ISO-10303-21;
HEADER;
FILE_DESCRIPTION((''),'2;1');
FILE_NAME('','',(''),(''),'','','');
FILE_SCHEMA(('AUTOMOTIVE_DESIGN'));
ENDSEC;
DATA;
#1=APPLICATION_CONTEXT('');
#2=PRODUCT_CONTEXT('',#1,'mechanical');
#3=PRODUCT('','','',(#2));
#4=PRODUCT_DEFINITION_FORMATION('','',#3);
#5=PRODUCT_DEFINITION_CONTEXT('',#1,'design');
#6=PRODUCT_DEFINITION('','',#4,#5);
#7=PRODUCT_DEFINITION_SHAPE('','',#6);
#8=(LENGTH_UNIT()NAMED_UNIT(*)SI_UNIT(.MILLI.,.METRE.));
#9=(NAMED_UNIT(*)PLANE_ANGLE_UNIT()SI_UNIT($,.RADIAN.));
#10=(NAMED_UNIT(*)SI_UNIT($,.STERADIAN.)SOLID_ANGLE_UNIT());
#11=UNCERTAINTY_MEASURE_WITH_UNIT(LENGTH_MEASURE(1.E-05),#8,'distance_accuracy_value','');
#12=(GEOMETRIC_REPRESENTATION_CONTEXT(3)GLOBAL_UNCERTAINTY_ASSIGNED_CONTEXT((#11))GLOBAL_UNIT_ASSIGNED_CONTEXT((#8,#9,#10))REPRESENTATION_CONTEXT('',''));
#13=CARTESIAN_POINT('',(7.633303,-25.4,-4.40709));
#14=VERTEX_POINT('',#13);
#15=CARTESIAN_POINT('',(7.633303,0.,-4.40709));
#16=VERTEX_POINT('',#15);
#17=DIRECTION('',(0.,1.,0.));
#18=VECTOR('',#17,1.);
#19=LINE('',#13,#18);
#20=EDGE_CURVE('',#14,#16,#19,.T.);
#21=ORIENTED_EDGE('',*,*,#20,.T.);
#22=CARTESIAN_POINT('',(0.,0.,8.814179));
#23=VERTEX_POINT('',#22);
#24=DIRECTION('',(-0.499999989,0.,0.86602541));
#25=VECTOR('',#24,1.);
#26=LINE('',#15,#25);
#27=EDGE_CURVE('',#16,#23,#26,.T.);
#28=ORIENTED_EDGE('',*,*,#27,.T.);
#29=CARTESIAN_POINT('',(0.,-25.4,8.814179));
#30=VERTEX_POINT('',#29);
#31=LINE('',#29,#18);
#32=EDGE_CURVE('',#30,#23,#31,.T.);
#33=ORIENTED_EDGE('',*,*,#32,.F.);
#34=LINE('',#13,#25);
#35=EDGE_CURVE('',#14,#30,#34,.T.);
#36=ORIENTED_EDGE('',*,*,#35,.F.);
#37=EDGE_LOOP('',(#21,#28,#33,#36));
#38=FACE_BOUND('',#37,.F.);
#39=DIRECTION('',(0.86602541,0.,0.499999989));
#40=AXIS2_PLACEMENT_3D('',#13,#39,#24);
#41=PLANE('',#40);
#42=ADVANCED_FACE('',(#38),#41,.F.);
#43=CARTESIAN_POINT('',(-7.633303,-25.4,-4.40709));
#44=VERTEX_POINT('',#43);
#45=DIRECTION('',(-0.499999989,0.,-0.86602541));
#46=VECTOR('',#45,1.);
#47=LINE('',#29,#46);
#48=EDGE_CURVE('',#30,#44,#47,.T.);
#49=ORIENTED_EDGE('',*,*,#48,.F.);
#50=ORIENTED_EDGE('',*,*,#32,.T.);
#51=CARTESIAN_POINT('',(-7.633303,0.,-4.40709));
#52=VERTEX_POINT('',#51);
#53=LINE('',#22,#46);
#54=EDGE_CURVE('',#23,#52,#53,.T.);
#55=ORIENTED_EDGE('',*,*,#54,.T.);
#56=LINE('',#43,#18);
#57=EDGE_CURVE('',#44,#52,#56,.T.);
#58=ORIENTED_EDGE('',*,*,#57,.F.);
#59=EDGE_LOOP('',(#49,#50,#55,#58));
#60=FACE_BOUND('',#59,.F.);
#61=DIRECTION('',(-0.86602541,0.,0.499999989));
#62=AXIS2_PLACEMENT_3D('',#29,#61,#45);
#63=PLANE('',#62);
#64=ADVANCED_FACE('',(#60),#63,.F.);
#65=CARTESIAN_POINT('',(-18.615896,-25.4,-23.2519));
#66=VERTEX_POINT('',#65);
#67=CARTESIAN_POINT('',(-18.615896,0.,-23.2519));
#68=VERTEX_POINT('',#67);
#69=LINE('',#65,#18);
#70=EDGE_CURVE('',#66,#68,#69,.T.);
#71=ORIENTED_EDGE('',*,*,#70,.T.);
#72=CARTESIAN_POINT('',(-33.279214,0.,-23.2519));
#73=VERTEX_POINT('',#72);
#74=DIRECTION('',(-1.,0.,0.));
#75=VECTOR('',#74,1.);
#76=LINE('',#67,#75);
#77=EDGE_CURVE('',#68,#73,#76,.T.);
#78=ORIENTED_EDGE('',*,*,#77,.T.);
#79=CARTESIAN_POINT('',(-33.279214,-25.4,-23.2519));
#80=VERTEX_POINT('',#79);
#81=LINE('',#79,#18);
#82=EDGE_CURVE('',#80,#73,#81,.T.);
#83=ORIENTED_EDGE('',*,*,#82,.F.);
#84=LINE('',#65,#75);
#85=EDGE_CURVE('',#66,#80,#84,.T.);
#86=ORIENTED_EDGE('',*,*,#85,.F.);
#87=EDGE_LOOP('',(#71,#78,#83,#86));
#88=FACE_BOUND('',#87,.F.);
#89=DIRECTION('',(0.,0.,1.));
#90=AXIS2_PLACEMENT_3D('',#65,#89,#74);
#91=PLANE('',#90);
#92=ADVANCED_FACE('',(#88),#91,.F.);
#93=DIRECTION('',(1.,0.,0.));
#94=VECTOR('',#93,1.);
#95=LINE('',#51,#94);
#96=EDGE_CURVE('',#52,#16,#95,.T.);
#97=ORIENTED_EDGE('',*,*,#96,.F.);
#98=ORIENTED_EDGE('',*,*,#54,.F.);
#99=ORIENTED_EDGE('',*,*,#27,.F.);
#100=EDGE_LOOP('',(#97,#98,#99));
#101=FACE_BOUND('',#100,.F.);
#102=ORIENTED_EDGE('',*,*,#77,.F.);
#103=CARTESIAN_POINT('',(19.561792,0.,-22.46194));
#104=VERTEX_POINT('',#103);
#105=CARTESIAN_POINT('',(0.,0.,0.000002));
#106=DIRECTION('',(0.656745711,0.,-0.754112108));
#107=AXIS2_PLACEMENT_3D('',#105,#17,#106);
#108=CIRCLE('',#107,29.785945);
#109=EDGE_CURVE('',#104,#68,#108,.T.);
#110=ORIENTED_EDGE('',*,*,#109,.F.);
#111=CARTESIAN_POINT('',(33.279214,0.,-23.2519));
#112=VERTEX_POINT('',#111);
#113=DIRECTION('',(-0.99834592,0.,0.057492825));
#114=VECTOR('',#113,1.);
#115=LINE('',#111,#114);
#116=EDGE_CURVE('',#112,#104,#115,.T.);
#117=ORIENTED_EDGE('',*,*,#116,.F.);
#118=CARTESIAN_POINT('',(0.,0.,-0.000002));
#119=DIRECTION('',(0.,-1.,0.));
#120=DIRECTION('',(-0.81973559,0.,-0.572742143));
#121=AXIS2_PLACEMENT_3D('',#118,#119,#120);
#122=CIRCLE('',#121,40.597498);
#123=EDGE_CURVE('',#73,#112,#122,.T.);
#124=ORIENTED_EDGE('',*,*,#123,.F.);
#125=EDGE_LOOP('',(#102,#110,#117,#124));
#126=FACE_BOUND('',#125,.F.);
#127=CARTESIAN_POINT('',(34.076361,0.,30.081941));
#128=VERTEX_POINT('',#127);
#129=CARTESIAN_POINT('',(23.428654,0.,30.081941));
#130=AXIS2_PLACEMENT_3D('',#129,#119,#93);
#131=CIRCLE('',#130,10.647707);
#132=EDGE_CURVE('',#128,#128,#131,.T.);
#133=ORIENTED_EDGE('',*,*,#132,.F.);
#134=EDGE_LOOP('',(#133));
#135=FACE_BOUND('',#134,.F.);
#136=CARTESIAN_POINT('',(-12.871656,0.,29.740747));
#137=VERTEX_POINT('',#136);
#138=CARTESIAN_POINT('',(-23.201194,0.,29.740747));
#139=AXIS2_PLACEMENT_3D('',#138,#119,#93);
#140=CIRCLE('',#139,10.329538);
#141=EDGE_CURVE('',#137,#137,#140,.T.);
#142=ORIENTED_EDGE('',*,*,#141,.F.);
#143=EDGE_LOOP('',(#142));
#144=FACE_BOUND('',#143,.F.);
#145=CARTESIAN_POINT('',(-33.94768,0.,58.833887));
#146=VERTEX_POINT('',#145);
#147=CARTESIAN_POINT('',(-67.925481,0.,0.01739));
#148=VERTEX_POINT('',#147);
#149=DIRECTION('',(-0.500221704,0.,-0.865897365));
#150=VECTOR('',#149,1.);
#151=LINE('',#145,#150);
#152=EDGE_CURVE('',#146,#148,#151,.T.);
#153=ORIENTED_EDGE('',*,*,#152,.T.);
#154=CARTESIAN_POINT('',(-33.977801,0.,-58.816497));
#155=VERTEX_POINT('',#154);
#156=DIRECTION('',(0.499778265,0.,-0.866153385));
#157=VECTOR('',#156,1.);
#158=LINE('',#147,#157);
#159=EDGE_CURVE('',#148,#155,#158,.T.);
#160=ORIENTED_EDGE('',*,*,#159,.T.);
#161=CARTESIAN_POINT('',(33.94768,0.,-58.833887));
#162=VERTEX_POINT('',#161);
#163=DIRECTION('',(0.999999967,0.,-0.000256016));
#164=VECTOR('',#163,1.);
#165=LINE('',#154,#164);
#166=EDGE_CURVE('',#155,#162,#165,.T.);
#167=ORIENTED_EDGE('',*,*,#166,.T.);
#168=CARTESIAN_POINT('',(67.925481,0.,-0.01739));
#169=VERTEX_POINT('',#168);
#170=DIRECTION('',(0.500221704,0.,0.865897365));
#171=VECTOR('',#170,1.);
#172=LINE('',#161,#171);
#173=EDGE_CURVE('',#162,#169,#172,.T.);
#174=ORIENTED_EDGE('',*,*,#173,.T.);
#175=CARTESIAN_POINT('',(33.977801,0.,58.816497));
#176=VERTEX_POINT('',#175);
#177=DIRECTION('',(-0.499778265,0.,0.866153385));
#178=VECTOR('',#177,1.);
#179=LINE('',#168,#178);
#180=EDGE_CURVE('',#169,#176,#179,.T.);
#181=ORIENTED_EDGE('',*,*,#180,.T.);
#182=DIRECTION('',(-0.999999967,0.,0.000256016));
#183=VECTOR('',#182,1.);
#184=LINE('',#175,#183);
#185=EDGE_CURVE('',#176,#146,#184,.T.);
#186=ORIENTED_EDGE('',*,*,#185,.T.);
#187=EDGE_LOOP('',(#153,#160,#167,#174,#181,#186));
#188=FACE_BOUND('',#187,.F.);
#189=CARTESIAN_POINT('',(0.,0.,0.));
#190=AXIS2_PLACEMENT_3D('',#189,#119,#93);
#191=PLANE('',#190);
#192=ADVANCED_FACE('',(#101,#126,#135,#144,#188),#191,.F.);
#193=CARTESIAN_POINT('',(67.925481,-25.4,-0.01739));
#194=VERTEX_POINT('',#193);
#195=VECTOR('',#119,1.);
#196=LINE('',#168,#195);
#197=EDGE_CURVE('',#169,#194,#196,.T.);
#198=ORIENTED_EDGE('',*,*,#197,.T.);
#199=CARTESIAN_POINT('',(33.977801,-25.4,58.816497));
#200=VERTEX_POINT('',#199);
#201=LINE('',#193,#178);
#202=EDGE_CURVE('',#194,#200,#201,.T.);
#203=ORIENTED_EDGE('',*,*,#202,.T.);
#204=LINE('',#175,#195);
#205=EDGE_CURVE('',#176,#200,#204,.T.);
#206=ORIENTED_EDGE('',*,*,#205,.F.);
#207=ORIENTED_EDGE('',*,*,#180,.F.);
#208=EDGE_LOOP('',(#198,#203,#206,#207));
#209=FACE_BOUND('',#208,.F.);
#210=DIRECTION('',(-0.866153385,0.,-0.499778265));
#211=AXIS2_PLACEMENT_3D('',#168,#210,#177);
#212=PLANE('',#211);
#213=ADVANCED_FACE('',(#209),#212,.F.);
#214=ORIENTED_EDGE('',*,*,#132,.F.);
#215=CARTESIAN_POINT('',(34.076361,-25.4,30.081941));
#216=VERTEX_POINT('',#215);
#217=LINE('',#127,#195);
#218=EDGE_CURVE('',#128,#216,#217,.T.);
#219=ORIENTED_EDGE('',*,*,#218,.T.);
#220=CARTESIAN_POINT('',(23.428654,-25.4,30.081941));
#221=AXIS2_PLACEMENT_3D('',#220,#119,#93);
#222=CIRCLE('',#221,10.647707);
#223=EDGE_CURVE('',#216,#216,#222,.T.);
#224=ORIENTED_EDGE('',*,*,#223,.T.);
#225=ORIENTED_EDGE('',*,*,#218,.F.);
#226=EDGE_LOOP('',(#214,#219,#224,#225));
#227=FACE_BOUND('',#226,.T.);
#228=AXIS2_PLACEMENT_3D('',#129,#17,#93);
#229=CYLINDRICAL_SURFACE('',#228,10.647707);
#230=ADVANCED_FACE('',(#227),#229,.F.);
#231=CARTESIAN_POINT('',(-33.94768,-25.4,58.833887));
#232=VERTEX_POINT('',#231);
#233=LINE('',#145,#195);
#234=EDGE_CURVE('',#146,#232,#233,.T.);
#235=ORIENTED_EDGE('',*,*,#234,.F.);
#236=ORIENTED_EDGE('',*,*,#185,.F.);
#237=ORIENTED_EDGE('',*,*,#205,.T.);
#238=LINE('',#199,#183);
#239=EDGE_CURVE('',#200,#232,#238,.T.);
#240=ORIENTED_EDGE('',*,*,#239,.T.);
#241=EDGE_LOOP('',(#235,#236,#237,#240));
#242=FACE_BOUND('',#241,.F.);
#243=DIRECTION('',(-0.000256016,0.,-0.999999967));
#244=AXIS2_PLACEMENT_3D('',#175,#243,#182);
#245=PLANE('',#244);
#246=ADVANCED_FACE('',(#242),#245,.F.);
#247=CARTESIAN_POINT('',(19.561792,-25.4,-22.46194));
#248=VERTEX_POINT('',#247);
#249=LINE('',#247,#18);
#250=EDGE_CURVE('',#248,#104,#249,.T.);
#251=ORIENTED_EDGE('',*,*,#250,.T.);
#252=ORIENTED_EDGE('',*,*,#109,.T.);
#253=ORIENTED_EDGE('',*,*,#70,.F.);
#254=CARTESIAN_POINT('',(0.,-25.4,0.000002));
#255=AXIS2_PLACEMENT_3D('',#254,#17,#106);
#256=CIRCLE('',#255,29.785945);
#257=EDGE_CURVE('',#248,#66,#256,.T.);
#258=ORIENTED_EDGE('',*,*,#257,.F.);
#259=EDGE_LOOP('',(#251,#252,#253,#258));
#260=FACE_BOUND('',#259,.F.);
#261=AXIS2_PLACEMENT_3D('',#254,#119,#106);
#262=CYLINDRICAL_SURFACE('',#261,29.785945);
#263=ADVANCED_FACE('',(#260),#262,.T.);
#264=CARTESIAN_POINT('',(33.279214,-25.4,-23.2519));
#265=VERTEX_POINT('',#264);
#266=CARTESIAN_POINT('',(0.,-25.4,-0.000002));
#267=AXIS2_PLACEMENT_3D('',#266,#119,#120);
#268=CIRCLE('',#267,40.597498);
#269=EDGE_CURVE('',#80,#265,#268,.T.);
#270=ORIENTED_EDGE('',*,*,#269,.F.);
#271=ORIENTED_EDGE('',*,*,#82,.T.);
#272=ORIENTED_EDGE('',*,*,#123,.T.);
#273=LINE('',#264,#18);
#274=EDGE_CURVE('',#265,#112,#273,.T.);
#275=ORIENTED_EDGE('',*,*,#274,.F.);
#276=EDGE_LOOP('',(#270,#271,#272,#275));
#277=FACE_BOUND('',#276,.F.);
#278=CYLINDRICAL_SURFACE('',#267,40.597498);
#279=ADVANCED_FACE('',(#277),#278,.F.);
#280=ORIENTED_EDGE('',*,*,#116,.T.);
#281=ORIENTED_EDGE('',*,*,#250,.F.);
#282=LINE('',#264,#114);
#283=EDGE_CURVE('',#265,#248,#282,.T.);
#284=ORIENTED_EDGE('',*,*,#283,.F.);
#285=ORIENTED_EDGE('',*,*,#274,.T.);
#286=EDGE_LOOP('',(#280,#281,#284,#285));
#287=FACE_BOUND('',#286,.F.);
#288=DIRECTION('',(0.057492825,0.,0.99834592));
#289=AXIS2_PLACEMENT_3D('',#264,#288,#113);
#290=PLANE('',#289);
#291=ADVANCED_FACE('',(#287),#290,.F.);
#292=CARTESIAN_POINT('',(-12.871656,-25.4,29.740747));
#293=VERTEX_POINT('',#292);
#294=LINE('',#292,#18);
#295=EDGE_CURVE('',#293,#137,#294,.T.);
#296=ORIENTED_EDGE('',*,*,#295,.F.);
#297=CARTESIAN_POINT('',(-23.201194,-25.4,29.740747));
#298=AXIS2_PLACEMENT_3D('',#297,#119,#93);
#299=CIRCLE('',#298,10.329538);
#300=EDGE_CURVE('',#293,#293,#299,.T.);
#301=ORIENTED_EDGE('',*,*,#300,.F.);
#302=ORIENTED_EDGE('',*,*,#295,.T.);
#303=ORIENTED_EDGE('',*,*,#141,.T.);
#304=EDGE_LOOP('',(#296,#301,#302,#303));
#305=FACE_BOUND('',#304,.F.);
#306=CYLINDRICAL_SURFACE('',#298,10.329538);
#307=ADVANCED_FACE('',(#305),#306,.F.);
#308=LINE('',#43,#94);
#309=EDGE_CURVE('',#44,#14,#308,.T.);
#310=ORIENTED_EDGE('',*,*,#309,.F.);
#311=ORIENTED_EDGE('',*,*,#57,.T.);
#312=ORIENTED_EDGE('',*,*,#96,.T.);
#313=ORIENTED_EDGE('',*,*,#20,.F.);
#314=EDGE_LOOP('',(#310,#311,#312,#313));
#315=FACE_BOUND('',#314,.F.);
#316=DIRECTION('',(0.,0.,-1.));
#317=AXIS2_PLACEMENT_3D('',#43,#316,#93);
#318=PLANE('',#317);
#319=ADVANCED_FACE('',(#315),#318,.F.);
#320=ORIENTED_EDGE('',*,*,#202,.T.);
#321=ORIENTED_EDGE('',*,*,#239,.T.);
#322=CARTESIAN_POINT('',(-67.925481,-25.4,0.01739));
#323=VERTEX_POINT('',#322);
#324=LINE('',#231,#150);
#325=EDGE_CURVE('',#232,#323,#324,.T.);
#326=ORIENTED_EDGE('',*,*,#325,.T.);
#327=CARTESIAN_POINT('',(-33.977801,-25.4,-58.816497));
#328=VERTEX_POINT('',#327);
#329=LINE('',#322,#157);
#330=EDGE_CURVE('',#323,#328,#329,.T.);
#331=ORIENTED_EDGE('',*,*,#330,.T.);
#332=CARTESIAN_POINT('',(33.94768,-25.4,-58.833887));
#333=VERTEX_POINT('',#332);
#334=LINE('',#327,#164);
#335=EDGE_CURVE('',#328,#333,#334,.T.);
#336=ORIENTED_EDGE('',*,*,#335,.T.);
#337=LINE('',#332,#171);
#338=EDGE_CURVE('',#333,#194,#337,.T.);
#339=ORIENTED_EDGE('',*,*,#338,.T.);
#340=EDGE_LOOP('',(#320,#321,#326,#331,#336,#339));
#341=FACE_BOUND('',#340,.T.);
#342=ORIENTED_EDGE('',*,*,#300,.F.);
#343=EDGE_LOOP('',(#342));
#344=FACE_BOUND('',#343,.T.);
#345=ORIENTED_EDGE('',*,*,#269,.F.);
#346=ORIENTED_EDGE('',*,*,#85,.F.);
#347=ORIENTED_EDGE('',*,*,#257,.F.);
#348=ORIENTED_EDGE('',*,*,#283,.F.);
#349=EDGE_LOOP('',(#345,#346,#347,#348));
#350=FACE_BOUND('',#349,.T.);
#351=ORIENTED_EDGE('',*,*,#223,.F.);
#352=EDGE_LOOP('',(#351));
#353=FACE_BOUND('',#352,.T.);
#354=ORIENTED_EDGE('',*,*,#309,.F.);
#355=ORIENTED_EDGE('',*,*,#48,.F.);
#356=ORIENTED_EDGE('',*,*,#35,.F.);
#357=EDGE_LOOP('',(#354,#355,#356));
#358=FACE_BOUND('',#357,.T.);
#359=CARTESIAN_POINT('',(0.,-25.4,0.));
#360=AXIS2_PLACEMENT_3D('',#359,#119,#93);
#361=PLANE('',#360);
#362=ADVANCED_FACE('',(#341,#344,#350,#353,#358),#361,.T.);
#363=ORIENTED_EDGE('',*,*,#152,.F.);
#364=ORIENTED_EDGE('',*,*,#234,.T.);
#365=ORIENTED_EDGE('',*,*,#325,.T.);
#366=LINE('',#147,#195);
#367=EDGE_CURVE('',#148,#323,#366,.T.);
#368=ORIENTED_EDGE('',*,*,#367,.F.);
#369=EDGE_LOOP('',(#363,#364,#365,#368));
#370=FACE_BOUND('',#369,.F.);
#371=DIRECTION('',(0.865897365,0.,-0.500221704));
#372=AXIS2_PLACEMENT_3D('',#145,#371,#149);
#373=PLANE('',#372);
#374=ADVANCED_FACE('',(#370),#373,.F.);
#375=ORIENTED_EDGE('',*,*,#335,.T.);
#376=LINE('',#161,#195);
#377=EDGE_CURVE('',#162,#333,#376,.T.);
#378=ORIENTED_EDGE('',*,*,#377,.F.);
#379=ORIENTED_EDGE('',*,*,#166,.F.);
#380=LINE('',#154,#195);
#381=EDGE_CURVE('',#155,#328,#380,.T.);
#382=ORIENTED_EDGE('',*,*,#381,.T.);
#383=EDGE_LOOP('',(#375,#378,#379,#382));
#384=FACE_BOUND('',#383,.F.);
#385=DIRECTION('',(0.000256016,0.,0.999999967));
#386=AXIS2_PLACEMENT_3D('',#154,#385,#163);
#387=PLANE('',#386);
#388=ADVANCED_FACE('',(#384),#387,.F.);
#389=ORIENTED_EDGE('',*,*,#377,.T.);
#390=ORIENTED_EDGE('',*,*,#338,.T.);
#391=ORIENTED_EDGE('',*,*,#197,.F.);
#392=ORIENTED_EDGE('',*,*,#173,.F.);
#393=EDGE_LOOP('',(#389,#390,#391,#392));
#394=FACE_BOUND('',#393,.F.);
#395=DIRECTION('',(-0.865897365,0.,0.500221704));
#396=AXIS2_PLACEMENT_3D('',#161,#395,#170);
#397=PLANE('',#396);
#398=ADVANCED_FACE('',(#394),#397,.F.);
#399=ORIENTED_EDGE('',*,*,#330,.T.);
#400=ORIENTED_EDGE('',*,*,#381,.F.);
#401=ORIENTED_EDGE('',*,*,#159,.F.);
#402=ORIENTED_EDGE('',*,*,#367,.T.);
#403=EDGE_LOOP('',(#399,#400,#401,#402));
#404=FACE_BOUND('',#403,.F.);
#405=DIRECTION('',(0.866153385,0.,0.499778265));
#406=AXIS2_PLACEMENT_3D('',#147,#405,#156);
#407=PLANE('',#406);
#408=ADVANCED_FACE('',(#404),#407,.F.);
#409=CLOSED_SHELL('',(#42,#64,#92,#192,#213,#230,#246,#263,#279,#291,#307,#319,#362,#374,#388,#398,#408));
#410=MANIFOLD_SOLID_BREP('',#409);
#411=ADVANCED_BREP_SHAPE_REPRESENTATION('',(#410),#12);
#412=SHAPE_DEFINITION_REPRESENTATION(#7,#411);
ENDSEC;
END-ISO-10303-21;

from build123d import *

# Parameters (mm, degrees)
F1_DEPTH = 25.4
F2_R     = 10.329538
F3_DEPTH = 25.401
F4_R     = 10.647707
F5_DEPTH = 25.4
F7_DEPTH = 25.4
F9_DEPTH = 25.4


with BuildPart() as f1:
    # F0 (on Front) → F1 (new body)
    with BuildSketch(Plane.XZ):
        Polygon((-67.925481, 0.01739), (-33.977801, -58.816497), (33.94768, -58.833887), (67.925481, -0.01739), (33.977801, 58.816497), (-33.94768, 58.833887), align=None)
    extrude(amount=F1_DEPTH)

    # F2 (on face) → F3 (cut, through all)
    with BuildSketch(Plane.XZ.offset(25.4)):
        with Locations((-23.201194, 29.740747)):
            Circle(F2_R)
    extrude(amount=-F3_DEPTH, mode=Mode.SUBTRACT)

    # F4 (on Front) → F5 (cut)
    with BuildSketch(Plane.XZ):
        with Locations((23.428654, 30.081941)):
            Circle(F4_R)
    extrude(amount=F5_DEPTH, mode=Mode.SUBTRACT)

    # F6 (on face) → F7 (cut)
    with BuildSketch(Plane.XZ.offset(25.4)):
        Polygon((7.633303, -4.40709), (0, 8.814179), (-7.633303, -4.40709), align=None)
    extrude(amount=-F7_DEPTH, mode=Mode.SUBTRACT)

    # F8 (on face) → F9 (cut)
    with BuildSketch(Plane.XZ.offset(25.4)):
        with BuildLine():
            Line((-18.615896, -23.2519), (-33.279214, -23.2519))
            ThreePointArc((-33.279214, -23.2519), (0, -40.5975), (33.279214, -23.2519))
            Line((33.279214, -23.2519), (19.561792, -22.46194))
            ThreePointArc((19.561792, -22.46194), (0.616189, -29.779569), (-18.615896, -23.2519))
        make_face()
    extrude(amount=-F9_DEPTH, mode=Mode.SUBTRACT)


solid = f1.part
